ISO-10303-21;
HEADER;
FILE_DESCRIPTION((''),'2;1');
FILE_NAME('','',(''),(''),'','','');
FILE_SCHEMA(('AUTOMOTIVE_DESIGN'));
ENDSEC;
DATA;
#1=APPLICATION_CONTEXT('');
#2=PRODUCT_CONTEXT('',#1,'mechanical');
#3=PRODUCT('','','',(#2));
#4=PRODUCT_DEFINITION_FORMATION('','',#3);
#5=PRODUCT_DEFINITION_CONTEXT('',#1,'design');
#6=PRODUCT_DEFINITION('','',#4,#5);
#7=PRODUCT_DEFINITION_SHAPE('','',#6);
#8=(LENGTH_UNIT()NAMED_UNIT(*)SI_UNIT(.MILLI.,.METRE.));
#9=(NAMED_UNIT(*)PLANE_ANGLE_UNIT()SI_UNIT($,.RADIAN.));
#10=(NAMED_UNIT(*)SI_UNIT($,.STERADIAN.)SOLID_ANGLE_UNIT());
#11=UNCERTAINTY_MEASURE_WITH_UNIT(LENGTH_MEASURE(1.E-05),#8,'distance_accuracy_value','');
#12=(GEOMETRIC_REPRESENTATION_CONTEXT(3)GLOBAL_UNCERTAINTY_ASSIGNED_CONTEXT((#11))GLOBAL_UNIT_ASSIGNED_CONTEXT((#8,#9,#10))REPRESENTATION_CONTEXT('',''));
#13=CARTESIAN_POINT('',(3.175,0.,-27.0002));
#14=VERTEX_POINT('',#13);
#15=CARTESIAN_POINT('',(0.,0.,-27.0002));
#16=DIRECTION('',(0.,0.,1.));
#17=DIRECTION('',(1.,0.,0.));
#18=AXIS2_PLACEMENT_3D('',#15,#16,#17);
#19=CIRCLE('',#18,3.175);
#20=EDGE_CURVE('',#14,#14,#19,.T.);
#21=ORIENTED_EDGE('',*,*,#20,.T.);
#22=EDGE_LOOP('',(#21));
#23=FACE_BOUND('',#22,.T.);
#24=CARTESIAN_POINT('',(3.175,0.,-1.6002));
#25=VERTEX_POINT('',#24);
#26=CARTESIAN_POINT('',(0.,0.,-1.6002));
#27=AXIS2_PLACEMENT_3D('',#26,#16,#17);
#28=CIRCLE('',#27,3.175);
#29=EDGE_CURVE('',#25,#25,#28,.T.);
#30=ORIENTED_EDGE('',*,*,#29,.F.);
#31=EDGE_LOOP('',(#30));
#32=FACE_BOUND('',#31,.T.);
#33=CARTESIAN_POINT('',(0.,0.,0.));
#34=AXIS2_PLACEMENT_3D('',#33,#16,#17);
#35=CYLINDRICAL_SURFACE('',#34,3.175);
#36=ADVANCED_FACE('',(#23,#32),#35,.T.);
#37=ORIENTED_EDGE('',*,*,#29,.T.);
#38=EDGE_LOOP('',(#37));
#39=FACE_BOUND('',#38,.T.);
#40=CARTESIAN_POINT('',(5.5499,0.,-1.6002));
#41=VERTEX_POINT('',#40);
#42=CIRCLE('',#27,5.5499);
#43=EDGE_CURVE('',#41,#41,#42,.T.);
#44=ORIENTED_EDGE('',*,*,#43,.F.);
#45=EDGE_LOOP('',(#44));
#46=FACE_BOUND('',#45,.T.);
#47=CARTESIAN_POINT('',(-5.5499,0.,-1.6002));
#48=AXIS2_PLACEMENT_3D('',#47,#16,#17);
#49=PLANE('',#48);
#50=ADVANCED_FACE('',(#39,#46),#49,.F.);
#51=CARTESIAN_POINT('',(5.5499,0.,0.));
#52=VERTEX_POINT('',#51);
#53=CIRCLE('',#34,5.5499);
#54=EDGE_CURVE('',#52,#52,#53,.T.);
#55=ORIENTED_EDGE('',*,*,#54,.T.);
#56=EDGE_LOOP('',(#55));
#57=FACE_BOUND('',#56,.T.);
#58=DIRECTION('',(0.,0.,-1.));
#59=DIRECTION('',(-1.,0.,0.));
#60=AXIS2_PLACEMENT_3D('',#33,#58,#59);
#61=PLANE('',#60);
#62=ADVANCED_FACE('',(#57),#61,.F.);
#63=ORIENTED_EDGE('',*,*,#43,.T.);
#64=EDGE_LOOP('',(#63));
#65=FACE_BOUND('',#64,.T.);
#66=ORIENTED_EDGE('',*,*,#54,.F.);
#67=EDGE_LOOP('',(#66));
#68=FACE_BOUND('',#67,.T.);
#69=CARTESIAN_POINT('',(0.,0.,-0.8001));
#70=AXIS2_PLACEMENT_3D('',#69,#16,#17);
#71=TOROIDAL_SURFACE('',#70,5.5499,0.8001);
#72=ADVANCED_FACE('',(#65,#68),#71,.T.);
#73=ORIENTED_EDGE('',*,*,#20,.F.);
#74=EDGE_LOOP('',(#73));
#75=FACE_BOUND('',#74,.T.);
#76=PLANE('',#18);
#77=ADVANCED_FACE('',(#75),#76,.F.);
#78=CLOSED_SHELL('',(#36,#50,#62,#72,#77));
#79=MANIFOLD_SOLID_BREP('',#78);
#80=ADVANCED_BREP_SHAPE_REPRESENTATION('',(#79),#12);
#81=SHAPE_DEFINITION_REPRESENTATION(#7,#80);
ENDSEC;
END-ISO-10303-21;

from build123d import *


with BuildPart() as part:
    # BaseBodySke → BaseBody (revolve)
    with BuildSketch(Plane(origin=(0, 0, 0), x_dir=(1, 0, 0), z_dir=(0, 1, 0)), mode=Mode.PRIVATE) as basebody_sk:
        with BuildLine():
            Line((0, 0), (-5.5499, 0))
            ThreePointArc((-5.5499, 0), (-6.35, 0.8001), (-5.5499, 1.6002))
            Line((-5.5499, 1.6002), (-3.175, 1.6002))
            Line((-3.175, 1.6002), (-3.175, 27.0002))
            Line((-3.175, 27.0002), (0, 27.0002))
            Line((0, 27.0002), (0, 0))
        make_face()
    revolve(basebody_sk.sketch.rotate(Axis((0, 0, 0), (0, 0, -1)), 180), axis=Axis((0, 0, 0), (0, 0, -1)))


solid = part.part
